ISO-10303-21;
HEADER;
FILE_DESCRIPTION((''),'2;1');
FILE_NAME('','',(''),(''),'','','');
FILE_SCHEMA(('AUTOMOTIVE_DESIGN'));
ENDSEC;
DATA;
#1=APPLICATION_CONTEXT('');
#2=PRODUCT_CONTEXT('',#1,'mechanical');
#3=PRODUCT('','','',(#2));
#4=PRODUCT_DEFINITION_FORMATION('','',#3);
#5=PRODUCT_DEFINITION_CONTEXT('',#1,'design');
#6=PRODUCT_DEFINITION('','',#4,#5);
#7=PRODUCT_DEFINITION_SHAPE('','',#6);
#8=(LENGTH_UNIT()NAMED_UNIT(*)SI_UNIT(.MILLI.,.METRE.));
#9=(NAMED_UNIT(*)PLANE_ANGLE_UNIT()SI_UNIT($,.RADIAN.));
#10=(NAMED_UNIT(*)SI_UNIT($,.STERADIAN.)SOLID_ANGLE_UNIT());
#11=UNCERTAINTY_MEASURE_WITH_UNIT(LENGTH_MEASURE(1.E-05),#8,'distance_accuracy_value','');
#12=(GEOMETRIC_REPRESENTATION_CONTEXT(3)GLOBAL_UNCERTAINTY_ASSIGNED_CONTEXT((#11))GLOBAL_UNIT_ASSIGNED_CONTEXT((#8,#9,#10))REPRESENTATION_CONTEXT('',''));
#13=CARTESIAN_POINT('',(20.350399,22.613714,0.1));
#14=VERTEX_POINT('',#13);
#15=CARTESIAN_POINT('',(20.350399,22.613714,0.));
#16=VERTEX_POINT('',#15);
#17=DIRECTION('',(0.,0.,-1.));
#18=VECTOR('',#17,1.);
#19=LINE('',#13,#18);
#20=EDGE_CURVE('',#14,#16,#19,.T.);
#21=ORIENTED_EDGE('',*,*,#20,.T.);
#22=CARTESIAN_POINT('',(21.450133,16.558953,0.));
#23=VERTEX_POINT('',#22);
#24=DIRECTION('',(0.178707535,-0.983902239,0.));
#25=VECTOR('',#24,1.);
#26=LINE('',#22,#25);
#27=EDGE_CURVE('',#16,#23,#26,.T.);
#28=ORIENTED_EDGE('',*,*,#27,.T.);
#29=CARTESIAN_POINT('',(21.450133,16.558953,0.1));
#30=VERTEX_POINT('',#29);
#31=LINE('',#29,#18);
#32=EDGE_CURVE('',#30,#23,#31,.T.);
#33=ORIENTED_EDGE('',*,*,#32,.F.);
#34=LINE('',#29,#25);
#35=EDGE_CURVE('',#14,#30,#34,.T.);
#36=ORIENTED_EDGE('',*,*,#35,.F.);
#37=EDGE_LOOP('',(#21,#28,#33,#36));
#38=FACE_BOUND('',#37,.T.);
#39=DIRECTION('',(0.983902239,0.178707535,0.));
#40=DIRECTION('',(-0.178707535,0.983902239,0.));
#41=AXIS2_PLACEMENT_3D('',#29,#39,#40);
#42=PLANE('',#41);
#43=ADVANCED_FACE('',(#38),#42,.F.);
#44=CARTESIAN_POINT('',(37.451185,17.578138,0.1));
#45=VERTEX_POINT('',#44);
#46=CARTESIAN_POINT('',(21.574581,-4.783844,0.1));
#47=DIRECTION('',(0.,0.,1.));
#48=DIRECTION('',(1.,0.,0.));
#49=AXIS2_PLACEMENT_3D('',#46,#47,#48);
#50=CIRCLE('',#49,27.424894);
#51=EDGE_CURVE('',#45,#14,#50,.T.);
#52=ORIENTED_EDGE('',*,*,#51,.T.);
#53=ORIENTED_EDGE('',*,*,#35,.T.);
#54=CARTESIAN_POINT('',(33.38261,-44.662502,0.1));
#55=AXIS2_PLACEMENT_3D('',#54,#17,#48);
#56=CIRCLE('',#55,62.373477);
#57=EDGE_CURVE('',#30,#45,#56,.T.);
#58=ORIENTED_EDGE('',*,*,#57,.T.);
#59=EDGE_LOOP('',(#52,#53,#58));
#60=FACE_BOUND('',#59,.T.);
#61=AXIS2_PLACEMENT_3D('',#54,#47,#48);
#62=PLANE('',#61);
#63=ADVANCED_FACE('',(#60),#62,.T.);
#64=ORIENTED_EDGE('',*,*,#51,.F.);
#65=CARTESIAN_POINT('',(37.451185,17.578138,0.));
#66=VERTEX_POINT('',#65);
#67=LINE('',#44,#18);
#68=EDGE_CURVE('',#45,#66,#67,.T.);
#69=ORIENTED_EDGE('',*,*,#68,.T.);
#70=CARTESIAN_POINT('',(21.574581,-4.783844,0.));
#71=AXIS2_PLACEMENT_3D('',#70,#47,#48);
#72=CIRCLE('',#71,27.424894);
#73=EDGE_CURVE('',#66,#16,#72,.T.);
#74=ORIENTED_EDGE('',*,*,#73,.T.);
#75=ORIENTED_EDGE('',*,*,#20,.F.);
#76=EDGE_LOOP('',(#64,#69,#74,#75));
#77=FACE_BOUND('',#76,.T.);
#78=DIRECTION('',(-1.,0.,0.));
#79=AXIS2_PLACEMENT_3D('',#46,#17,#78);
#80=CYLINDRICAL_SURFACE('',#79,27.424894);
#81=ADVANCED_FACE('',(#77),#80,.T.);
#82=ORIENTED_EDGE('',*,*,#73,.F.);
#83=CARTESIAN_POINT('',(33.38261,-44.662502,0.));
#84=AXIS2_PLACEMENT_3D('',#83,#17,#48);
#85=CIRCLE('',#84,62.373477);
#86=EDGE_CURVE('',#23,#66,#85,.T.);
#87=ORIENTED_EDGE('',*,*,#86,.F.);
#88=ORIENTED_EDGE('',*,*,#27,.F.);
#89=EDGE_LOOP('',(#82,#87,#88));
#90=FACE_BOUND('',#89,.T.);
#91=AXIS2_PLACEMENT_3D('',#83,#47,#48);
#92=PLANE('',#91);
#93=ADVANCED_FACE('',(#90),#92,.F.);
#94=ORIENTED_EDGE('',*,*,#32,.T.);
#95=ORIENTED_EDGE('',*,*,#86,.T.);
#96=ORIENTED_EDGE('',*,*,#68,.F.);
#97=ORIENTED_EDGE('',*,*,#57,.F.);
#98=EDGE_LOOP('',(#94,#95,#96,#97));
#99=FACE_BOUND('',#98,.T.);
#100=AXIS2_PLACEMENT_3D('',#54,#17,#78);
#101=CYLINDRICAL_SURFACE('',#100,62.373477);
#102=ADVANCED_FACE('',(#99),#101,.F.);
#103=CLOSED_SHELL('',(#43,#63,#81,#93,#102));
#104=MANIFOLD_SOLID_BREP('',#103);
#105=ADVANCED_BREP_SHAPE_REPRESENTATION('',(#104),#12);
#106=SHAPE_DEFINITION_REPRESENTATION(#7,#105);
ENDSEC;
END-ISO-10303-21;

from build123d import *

# Parameters (mm, degrees)
SALIENTE_EXTRUIR1_DEPTH = 0.1


with BuildPart() as part:
    # Model → Saliente-Extruir1 (new body)
    with BuildSketch(Plane.XY):
        with BuildLine():
            Line((21.450133328, 16.558952943), (20.350398635, 22.613714014))
            ThreePointArc((20.350398635, 22.613714014), (29.321362505, 21.524180975), (37.451185299, 17.578137853))
            ThreePointArc((37.451185299, 17.578137853), (29.417774486, 17.584832308), (21.450133328, 16.558952943))
        make_face()
    extrude(amount=SALIENTE_EXTRUIR1_DEPTH)


solid = part.part
